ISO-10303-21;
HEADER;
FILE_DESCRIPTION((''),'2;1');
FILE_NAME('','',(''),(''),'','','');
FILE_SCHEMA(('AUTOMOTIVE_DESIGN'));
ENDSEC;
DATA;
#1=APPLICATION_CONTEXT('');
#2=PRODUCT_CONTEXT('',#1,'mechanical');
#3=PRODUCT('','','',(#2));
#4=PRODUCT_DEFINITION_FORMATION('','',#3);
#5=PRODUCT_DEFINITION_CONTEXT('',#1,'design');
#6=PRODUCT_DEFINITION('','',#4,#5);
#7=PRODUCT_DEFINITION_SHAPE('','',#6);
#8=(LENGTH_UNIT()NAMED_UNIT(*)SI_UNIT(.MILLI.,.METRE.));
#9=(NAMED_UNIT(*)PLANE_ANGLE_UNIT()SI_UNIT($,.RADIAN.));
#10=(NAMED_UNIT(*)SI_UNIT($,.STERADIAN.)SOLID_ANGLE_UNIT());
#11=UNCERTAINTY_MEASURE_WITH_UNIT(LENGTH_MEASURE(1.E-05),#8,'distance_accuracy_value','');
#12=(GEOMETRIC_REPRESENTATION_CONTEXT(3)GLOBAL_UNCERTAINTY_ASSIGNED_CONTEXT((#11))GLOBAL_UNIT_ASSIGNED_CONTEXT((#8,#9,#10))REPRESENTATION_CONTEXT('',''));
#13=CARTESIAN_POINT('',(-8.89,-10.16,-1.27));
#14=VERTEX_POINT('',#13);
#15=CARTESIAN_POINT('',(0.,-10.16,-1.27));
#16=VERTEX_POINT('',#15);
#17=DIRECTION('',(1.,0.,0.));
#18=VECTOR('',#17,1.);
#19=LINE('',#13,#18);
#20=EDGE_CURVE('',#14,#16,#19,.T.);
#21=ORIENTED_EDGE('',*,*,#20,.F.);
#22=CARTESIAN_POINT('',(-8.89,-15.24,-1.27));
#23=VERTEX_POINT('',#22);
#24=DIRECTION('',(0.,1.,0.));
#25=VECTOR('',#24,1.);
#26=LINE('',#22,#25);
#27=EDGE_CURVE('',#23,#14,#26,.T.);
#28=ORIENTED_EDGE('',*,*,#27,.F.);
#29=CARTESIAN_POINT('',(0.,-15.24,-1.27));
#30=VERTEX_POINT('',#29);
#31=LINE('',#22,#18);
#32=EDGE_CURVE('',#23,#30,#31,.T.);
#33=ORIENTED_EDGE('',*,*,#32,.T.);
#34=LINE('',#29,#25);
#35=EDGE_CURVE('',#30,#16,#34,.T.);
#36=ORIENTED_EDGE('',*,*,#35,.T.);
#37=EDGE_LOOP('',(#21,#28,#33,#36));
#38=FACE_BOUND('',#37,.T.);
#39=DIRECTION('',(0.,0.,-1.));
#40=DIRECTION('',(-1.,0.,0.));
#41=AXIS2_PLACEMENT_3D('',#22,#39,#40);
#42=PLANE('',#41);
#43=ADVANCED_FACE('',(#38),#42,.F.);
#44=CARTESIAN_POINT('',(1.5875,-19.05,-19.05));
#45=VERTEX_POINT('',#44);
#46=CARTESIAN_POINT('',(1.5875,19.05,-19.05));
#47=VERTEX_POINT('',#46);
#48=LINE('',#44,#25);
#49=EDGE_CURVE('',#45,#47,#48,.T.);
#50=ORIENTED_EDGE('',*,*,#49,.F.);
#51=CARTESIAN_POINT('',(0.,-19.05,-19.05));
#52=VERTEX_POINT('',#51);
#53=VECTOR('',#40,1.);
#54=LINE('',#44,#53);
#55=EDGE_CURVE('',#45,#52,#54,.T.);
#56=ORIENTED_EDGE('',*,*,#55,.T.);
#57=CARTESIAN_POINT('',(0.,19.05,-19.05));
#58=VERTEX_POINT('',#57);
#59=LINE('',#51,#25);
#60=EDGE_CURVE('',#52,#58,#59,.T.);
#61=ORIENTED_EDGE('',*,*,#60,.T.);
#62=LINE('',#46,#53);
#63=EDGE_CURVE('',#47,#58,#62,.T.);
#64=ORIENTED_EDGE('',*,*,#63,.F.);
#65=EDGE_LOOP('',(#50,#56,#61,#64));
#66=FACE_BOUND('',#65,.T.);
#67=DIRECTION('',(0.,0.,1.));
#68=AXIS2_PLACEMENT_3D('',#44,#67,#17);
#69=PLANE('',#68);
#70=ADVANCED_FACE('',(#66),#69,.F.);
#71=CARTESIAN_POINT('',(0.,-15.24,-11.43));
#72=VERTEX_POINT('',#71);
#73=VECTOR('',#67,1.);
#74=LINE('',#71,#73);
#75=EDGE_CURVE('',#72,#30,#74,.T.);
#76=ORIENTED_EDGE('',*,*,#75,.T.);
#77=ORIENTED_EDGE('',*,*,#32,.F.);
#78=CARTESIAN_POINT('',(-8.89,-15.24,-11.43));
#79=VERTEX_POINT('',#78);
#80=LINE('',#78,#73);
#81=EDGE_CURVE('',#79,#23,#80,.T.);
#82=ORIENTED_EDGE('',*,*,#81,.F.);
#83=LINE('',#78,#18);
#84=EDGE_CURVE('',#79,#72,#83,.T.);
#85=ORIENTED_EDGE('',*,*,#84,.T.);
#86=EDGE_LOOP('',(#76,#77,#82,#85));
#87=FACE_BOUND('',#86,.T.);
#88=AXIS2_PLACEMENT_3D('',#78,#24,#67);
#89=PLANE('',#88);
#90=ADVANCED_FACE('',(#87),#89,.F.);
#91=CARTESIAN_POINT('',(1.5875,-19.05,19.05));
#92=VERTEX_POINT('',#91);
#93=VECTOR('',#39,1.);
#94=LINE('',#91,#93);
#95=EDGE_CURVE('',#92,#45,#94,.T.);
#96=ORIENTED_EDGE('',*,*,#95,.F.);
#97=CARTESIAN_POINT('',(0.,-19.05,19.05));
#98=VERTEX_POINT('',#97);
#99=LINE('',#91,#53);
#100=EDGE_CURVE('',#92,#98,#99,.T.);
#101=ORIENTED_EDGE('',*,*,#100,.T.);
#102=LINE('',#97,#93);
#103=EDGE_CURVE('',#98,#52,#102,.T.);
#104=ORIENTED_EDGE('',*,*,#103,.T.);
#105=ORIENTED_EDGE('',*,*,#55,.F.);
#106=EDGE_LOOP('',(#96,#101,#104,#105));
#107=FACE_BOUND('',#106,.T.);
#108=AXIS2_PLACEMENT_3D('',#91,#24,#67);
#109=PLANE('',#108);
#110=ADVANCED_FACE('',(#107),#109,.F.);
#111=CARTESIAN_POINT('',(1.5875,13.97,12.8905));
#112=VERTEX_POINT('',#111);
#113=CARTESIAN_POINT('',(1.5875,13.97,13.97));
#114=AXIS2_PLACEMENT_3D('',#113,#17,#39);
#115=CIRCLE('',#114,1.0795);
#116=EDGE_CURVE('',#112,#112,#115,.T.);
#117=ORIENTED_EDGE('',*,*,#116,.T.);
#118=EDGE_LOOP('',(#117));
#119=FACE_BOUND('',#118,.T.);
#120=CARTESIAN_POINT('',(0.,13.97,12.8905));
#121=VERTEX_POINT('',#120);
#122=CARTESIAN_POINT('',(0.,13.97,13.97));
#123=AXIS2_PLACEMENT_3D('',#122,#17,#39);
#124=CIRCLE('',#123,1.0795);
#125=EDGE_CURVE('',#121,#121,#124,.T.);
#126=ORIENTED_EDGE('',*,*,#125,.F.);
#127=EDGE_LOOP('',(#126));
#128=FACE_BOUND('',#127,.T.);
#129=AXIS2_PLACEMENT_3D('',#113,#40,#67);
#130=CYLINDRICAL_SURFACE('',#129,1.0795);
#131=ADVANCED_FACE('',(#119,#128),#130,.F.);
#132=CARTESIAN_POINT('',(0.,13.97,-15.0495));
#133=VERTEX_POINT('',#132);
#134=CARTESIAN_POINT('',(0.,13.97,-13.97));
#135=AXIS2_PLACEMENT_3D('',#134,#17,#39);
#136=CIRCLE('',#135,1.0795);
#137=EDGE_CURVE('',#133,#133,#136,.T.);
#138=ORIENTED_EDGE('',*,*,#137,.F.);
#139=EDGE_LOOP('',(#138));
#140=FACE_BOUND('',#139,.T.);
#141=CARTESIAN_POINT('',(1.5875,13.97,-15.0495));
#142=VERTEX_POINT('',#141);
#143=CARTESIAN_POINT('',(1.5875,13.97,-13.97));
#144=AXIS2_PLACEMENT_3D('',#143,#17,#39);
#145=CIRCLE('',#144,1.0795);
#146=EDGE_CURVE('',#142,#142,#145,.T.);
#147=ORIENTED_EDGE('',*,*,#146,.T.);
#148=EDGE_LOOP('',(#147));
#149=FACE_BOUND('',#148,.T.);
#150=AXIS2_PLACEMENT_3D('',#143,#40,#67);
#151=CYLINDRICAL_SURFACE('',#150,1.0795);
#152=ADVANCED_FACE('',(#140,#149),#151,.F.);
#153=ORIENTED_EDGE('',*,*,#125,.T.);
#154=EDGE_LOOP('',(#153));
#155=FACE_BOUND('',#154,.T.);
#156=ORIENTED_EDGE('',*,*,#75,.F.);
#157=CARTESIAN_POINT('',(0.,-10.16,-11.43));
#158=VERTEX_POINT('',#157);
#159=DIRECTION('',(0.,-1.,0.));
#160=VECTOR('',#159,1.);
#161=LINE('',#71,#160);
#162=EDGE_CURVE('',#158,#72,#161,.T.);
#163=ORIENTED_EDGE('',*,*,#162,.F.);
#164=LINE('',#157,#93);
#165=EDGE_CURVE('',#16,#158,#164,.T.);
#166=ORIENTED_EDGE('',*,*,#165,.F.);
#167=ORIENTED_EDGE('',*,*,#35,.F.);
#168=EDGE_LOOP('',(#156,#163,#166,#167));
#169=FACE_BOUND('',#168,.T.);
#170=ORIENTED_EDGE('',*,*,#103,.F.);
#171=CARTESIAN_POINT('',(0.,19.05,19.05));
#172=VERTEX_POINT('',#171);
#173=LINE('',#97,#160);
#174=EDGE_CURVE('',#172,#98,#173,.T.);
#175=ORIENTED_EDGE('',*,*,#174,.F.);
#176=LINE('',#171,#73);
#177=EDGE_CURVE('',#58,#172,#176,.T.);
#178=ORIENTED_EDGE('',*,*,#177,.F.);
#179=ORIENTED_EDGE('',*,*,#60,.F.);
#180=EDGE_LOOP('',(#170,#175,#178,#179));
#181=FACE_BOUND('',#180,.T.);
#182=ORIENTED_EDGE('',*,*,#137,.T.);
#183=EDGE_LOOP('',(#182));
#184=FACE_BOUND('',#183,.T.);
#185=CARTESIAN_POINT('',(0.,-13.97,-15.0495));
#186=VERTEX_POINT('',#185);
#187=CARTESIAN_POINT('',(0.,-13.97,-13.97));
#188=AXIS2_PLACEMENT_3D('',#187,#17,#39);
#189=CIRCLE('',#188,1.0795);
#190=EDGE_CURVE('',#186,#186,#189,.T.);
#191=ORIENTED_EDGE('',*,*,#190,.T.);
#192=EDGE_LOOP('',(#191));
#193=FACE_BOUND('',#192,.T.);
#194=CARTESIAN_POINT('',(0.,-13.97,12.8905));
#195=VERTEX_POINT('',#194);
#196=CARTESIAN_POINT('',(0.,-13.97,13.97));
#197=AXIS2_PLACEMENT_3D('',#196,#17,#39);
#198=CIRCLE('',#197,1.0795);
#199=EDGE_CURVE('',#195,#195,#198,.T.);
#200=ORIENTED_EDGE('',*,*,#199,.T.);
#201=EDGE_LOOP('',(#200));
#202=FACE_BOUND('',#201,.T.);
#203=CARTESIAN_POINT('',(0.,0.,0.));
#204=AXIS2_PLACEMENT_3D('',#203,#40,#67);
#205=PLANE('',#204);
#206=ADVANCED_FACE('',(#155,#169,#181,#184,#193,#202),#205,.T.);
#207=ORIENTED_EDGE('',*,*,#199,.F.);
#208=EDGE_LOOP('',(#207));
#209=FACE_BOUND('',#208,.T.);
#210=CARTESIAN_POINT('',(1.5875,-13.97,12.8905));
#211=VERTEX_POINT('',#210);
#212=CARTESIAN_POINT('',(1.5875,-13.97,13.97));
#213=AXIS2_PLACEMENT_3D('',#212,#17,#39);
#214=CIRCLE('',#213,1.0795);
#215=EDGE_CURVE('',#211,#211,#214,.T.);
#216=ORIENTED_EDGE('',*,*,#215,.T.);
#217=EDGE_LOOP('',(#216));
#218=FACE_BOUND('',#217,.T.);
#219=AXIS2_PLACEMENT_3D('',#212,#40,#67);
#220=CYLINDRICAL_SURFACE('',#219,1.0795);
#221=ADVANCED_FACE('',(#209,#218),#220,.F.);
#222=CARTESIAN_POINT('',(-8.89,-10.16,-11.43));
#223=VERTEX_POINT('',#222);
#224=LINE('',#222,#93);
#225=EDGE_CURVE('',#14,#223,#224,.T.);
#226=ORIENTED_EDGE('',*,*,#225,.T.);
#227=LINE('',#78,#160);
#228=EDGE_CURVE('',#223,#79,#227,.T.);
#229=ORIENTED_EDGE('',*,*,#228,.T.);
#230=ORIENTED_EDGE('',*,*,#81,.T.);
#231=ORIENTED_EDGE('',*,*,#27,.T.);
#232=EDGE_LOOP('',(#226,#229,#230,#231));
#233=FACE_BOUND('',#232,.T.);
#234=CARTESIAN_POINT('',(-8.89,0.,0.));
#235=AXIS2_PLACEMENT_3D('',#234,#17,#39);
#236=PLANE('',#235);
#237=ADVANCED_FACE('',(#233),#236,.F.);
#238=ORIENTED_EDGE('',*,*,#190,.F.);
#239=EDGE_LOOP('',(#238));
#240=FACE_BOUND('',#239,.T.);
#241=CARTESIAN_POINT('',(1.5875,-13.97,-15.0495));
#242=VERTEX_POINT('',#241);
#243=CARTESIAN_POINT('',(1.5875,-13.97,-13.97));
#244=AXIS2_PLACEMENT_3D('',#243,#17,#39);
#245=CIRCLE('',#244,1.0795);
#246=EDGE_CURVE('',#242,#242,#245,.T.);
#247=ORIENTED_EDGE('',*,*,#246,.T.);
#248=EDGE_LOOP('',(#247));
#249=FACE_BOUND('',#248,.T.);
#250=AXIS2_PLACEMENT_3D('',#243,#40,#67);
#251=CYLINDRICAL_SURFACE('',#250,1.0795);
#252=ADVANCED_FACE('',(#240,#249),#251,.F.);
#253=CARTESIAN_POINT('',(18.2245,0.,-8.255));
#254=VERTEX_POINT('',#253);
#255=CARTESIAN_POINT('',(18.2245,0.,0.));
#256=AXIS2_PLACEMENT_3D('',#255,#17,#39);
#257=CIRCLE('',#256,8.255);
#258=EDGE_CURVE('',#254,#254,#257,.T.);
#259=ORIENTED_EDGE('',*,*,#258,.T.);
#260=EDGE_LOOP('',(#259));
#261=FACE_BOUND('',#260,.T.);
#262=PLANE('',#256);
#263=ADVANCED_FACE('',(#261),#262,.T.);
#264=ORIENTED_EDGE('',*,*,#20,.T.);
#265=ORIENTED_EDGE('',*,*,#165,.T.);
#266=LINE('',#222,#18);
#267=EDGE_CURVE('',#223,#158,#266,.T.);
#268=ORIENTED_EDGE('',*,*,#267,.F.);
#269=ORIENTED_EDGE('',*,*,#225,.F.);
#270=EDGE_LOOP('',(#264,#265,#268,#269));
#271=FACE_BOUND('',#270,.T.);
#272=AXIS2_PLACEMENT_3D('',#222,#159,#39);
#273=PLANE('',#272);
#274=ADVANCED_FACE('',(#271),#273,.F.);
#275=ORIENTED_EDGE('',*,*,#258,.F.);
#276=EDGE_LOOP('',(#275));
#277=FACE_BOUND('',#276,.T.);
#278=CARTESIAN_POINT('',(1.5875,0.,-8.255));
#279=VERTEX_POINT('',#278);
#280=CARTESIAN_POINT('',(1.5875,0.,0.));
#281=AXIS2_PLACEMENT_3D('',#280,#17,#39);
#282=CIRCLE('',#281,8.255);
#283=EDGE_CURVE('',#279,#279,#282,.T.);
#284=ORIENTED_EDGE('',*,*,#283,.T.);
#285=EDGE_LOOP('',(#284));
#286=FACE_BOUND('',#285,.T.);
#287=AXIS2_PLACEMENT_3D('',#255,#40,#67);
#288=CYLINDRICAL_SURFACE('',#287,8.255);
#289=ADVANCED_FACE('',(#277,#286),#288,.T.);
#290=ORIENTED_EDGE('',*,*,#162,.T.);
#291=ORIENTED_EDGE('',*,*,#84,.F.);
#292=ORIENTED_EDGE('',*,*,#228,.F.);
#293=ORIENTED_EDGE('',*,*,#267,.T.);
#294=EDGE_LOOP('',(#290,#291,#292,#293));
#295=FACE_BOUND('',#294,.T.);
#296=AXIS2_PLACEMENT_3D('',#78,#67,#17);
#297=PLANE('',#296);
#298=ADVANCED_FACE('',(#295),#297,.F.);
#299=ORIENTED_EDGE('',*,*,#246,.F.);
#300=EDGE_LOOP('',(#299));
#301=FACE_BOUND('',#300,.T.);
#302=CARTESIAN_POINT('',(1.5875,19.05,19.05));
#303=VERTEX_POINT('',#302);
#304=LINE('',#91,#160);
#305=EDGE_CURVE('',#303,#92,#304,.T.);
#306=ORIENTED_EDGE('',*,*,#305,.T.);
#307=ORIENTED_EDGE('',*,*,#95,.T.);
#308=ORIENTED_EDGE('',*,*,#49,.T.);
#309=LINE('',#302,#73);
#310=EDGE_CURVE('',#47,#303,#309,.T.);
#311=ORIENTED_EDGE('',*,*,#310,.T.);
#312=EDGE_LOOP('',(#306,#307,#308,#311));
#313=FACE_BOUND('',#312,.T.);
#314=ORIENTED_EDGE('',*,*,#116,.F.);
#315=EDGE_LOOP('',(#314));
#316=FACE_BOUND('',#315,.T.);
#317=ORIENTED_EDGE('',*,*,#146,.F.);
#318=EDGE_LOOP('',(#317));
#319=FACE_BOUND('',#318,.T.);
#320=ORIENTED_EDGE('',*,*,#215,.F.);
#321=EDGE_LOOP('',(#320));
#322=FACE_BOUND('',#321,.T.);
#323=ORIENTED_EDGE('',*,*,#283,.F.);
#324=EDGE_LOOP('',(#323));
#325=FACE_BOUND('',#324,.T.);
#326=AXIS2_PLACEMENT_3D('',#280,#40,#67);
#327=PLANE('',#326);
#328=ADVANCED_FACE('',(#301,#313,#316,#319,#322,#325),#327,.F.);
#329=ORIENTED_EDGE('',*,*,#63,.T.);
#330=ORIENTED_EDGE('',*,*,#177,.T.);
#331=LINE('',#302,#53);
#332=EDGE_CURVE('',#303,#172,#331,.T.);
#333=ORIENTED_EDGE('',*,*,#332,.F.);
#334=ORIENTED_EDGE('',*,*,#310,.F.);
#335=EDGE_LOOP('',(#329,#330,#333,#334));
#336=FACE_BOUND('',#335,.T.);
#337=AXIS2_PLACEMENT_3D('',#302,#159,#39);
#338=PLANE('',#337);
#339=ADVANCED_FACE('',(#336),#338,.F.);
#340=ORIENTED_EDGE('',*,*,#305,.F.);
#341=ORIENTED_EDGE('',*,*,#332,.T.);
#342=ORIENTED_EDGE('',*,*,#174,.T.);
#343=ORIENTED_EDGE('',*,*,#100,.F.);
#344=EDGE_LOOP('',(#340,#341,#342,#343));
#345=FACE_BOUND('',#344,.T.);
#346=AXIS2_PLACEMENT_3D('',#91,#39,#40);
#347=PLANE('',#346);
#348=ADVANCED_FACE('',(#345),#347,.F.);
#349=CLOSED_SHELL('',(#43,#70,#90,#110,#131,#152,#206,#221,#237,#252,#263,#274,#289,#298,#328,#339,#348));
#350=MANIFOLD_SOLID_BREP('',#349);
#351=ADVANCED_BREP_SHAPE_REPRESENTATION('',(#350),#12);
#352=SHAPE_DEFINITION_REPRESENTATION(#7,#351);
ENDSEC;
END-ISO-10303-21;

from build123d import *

# Parameters (mm, degrees)
SKETCH1_W           = 38.1
SKETCH1_H           = 38.1
SKETCH1_R           = 1.0795
BOSS_EXTRUDE1_DEPTH = 1.5875
SKETCH3_W           = 10.16
SKETCH3_H           = 5.08
BOSS_EXTRUDE2_DEPTH = 8.89
SKETCH4_R           = 8.255
BOSS_EXTRUDE3_DEPTH = 16.637


with BuildPart() as part:
    # Sketch1 → Boss-Extrude1 (new body)
    with BuildSketch(Plane(origin=(0, 0, 0), x_dir=(0, 0, -1), z_dir=(1, 0, 0))):
        Rectangle(SKETCH1_W, SKETCH1_H)
        with Locations((13.97, -13.97)):
            Circle(SKETCH1_R, mode=Mode.SUBTRACT)
        with Locations((-13.97, -13.97)):
            Circle(SKETCH1_R, mode=Mode.SUBTRACT)
        with Locations((-13.97, 13.97)):
            Circle(SKETCH1_R, mode=Mode.SUBTRACT)
        with Locations((13.97, 13.97)):
            Circle(SKETCH1_R, mode=Mode.SUBTRACT)
    extrude(amount=BOSS_EXTRUDE1_DEPTH)

    # Sketch3 → Boss-Extrude2 (add)
    with BuildSketch(Plane.ZY):
        with Locations((-6.35, -12.7)):
            Rectangle(SKETCH3_W, SKETCH3_H)
    extrude(amount=BOSS_EXTRUDE2_DEPTH)

    # Sketch4 → Boss-Extrude3 (add)
    with BuildSketch(Plane(origin=(1.5875, 0, 0), x_dir=(0, 0, -1), z_dir=(1, 0, 0))):
        Circle(SKETCH4_R)
    extrude(amount=BOSS_EXTRUDE3_DEPTH)


solid = part.part
